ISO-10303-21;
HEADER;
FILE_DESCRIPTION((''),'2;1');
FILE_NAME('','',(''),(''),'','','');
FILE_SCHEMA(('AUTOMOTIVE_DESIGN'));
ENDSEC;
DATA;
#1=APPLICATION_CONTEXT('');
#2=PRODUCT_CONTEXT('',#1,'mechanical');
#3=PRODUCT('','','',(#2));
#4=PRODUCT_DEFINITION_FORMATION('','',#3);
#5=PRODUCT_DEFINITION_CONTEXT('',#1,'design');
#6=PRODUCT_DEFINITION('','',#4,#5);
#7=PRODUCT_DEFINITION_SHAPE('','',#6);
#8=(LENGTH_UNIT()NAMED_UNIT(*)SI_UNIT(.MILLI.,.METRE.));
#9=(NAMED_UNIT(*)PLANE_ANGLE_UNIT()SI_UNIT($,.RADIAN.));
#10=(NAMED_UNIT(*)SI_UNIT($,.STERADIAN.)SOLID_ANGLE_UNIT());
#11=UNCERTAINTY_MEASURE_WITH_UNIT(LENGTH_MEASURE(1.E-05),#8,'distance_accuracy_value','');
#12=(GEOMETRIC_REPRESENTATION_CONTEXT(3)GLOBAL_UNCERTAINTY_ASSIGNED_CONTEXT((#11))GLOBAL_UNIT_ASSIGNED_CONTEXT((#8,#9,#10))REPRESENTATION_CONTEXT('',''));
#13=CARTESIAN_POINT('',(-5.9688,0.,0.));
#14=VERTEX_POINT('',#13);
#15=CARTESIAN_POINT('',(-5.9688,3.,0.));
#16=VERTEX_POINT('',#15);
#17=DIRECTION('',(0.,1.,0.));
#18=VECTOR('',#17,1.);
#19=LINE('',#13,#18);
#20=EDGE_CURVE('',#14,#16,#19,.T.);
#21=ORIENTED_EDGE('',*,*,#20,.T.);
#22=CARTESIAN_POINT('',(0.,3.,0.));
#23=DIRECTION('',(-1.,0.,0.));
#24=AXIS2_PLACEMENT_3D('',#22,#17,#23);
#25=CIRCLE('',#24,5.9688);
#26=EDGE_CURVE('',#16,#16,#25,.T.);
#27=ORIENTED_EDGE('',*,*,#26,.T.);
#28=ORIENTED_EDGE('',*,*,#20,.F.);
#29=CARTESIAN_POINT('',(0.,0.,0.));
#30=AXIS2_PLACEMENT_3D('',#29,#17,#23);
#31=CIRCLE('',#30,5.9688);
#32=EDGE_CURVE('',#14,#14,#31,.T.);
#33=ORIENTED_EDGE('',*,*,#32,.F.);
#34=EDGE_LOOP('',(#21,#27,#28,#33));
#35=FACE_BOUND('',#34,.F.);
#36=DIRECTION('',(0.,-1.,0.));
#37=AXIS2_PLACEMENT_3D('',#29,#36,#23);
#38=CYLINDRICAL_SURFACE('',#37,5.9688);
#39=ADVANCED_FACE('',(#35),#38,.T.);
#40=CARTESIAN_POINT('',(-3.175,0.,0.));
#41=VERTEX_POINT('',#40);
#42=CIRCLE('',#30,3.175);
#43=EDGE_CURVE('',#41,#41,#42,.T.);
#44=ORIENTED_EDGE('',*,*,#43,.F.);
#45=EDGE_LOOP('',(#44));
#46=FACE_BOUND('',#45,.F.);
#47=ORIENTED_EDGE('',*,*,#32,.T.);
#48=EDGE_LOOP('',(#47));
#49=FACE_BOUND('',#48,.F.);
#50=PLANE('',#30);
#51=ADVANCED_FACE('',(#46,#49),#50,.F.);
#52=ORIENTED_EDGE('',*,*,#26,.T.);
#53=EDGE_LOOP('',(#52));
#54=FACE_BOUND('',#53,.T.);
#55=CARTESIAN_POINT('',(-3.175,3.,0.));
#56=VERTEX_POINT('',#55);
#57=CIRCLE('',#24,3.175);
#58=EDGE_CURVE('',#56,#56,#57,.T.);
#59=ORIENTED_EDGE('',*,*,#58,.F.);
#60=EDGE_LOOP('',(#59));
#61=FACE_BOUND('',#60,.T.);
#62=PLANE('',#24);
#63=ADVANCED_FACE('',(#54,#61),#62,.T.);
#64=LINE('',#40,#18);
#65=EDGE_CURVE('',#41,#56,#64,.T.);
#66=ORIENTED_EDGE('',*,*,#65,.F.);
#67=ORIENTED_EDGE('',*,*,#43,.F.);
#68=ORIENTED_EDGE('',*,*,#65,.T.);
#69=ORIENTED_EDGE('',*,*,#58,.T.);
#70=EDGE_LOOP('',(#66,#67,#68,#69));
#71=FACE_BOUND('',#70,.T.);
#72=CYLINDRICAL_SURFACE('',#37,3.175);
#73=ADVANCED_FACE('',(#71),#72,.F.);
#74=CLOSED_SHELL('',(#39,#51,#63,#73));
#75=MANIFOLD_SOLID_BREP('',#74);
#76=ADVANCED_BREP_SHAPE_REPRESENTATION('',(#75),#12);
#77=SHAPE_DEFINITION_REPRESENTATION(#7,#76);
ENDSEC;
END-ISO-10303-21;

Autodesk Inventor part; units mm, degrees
ref_plane "YZ Plane" through (0, 0, 0) normal (1, 0, 0) x (0, 1, 0)
ref_plane "XZ Plane" through (0, 0, 0) normal (0, 1, 0) x (-1, 0, 0)
ref_plane "XY Plane" through (0, 0, 0) normal (0, 0, 1) x (1, 0, 0)
sketch "Sketch1" plane through (0, 0, 0) normal (0, 1, 0) x (-1, 0, 0)
  circle A0 centre (0, 0) radius 3.175
  circle A1 centre (0, 0) radius 5.9688
  dimension "d0" = 6.35
  dimension "d1" = 11.9375
extrude "Extrusion1" add sketch "Sketch1" along normal blind 3
equation "\"d0\" = DowlDiameter"
equation "\"DowlDiameter\" = 6.35"
properties part number "MotorSiliconeMoldSpacer" material "Plywood, Sheathing"
